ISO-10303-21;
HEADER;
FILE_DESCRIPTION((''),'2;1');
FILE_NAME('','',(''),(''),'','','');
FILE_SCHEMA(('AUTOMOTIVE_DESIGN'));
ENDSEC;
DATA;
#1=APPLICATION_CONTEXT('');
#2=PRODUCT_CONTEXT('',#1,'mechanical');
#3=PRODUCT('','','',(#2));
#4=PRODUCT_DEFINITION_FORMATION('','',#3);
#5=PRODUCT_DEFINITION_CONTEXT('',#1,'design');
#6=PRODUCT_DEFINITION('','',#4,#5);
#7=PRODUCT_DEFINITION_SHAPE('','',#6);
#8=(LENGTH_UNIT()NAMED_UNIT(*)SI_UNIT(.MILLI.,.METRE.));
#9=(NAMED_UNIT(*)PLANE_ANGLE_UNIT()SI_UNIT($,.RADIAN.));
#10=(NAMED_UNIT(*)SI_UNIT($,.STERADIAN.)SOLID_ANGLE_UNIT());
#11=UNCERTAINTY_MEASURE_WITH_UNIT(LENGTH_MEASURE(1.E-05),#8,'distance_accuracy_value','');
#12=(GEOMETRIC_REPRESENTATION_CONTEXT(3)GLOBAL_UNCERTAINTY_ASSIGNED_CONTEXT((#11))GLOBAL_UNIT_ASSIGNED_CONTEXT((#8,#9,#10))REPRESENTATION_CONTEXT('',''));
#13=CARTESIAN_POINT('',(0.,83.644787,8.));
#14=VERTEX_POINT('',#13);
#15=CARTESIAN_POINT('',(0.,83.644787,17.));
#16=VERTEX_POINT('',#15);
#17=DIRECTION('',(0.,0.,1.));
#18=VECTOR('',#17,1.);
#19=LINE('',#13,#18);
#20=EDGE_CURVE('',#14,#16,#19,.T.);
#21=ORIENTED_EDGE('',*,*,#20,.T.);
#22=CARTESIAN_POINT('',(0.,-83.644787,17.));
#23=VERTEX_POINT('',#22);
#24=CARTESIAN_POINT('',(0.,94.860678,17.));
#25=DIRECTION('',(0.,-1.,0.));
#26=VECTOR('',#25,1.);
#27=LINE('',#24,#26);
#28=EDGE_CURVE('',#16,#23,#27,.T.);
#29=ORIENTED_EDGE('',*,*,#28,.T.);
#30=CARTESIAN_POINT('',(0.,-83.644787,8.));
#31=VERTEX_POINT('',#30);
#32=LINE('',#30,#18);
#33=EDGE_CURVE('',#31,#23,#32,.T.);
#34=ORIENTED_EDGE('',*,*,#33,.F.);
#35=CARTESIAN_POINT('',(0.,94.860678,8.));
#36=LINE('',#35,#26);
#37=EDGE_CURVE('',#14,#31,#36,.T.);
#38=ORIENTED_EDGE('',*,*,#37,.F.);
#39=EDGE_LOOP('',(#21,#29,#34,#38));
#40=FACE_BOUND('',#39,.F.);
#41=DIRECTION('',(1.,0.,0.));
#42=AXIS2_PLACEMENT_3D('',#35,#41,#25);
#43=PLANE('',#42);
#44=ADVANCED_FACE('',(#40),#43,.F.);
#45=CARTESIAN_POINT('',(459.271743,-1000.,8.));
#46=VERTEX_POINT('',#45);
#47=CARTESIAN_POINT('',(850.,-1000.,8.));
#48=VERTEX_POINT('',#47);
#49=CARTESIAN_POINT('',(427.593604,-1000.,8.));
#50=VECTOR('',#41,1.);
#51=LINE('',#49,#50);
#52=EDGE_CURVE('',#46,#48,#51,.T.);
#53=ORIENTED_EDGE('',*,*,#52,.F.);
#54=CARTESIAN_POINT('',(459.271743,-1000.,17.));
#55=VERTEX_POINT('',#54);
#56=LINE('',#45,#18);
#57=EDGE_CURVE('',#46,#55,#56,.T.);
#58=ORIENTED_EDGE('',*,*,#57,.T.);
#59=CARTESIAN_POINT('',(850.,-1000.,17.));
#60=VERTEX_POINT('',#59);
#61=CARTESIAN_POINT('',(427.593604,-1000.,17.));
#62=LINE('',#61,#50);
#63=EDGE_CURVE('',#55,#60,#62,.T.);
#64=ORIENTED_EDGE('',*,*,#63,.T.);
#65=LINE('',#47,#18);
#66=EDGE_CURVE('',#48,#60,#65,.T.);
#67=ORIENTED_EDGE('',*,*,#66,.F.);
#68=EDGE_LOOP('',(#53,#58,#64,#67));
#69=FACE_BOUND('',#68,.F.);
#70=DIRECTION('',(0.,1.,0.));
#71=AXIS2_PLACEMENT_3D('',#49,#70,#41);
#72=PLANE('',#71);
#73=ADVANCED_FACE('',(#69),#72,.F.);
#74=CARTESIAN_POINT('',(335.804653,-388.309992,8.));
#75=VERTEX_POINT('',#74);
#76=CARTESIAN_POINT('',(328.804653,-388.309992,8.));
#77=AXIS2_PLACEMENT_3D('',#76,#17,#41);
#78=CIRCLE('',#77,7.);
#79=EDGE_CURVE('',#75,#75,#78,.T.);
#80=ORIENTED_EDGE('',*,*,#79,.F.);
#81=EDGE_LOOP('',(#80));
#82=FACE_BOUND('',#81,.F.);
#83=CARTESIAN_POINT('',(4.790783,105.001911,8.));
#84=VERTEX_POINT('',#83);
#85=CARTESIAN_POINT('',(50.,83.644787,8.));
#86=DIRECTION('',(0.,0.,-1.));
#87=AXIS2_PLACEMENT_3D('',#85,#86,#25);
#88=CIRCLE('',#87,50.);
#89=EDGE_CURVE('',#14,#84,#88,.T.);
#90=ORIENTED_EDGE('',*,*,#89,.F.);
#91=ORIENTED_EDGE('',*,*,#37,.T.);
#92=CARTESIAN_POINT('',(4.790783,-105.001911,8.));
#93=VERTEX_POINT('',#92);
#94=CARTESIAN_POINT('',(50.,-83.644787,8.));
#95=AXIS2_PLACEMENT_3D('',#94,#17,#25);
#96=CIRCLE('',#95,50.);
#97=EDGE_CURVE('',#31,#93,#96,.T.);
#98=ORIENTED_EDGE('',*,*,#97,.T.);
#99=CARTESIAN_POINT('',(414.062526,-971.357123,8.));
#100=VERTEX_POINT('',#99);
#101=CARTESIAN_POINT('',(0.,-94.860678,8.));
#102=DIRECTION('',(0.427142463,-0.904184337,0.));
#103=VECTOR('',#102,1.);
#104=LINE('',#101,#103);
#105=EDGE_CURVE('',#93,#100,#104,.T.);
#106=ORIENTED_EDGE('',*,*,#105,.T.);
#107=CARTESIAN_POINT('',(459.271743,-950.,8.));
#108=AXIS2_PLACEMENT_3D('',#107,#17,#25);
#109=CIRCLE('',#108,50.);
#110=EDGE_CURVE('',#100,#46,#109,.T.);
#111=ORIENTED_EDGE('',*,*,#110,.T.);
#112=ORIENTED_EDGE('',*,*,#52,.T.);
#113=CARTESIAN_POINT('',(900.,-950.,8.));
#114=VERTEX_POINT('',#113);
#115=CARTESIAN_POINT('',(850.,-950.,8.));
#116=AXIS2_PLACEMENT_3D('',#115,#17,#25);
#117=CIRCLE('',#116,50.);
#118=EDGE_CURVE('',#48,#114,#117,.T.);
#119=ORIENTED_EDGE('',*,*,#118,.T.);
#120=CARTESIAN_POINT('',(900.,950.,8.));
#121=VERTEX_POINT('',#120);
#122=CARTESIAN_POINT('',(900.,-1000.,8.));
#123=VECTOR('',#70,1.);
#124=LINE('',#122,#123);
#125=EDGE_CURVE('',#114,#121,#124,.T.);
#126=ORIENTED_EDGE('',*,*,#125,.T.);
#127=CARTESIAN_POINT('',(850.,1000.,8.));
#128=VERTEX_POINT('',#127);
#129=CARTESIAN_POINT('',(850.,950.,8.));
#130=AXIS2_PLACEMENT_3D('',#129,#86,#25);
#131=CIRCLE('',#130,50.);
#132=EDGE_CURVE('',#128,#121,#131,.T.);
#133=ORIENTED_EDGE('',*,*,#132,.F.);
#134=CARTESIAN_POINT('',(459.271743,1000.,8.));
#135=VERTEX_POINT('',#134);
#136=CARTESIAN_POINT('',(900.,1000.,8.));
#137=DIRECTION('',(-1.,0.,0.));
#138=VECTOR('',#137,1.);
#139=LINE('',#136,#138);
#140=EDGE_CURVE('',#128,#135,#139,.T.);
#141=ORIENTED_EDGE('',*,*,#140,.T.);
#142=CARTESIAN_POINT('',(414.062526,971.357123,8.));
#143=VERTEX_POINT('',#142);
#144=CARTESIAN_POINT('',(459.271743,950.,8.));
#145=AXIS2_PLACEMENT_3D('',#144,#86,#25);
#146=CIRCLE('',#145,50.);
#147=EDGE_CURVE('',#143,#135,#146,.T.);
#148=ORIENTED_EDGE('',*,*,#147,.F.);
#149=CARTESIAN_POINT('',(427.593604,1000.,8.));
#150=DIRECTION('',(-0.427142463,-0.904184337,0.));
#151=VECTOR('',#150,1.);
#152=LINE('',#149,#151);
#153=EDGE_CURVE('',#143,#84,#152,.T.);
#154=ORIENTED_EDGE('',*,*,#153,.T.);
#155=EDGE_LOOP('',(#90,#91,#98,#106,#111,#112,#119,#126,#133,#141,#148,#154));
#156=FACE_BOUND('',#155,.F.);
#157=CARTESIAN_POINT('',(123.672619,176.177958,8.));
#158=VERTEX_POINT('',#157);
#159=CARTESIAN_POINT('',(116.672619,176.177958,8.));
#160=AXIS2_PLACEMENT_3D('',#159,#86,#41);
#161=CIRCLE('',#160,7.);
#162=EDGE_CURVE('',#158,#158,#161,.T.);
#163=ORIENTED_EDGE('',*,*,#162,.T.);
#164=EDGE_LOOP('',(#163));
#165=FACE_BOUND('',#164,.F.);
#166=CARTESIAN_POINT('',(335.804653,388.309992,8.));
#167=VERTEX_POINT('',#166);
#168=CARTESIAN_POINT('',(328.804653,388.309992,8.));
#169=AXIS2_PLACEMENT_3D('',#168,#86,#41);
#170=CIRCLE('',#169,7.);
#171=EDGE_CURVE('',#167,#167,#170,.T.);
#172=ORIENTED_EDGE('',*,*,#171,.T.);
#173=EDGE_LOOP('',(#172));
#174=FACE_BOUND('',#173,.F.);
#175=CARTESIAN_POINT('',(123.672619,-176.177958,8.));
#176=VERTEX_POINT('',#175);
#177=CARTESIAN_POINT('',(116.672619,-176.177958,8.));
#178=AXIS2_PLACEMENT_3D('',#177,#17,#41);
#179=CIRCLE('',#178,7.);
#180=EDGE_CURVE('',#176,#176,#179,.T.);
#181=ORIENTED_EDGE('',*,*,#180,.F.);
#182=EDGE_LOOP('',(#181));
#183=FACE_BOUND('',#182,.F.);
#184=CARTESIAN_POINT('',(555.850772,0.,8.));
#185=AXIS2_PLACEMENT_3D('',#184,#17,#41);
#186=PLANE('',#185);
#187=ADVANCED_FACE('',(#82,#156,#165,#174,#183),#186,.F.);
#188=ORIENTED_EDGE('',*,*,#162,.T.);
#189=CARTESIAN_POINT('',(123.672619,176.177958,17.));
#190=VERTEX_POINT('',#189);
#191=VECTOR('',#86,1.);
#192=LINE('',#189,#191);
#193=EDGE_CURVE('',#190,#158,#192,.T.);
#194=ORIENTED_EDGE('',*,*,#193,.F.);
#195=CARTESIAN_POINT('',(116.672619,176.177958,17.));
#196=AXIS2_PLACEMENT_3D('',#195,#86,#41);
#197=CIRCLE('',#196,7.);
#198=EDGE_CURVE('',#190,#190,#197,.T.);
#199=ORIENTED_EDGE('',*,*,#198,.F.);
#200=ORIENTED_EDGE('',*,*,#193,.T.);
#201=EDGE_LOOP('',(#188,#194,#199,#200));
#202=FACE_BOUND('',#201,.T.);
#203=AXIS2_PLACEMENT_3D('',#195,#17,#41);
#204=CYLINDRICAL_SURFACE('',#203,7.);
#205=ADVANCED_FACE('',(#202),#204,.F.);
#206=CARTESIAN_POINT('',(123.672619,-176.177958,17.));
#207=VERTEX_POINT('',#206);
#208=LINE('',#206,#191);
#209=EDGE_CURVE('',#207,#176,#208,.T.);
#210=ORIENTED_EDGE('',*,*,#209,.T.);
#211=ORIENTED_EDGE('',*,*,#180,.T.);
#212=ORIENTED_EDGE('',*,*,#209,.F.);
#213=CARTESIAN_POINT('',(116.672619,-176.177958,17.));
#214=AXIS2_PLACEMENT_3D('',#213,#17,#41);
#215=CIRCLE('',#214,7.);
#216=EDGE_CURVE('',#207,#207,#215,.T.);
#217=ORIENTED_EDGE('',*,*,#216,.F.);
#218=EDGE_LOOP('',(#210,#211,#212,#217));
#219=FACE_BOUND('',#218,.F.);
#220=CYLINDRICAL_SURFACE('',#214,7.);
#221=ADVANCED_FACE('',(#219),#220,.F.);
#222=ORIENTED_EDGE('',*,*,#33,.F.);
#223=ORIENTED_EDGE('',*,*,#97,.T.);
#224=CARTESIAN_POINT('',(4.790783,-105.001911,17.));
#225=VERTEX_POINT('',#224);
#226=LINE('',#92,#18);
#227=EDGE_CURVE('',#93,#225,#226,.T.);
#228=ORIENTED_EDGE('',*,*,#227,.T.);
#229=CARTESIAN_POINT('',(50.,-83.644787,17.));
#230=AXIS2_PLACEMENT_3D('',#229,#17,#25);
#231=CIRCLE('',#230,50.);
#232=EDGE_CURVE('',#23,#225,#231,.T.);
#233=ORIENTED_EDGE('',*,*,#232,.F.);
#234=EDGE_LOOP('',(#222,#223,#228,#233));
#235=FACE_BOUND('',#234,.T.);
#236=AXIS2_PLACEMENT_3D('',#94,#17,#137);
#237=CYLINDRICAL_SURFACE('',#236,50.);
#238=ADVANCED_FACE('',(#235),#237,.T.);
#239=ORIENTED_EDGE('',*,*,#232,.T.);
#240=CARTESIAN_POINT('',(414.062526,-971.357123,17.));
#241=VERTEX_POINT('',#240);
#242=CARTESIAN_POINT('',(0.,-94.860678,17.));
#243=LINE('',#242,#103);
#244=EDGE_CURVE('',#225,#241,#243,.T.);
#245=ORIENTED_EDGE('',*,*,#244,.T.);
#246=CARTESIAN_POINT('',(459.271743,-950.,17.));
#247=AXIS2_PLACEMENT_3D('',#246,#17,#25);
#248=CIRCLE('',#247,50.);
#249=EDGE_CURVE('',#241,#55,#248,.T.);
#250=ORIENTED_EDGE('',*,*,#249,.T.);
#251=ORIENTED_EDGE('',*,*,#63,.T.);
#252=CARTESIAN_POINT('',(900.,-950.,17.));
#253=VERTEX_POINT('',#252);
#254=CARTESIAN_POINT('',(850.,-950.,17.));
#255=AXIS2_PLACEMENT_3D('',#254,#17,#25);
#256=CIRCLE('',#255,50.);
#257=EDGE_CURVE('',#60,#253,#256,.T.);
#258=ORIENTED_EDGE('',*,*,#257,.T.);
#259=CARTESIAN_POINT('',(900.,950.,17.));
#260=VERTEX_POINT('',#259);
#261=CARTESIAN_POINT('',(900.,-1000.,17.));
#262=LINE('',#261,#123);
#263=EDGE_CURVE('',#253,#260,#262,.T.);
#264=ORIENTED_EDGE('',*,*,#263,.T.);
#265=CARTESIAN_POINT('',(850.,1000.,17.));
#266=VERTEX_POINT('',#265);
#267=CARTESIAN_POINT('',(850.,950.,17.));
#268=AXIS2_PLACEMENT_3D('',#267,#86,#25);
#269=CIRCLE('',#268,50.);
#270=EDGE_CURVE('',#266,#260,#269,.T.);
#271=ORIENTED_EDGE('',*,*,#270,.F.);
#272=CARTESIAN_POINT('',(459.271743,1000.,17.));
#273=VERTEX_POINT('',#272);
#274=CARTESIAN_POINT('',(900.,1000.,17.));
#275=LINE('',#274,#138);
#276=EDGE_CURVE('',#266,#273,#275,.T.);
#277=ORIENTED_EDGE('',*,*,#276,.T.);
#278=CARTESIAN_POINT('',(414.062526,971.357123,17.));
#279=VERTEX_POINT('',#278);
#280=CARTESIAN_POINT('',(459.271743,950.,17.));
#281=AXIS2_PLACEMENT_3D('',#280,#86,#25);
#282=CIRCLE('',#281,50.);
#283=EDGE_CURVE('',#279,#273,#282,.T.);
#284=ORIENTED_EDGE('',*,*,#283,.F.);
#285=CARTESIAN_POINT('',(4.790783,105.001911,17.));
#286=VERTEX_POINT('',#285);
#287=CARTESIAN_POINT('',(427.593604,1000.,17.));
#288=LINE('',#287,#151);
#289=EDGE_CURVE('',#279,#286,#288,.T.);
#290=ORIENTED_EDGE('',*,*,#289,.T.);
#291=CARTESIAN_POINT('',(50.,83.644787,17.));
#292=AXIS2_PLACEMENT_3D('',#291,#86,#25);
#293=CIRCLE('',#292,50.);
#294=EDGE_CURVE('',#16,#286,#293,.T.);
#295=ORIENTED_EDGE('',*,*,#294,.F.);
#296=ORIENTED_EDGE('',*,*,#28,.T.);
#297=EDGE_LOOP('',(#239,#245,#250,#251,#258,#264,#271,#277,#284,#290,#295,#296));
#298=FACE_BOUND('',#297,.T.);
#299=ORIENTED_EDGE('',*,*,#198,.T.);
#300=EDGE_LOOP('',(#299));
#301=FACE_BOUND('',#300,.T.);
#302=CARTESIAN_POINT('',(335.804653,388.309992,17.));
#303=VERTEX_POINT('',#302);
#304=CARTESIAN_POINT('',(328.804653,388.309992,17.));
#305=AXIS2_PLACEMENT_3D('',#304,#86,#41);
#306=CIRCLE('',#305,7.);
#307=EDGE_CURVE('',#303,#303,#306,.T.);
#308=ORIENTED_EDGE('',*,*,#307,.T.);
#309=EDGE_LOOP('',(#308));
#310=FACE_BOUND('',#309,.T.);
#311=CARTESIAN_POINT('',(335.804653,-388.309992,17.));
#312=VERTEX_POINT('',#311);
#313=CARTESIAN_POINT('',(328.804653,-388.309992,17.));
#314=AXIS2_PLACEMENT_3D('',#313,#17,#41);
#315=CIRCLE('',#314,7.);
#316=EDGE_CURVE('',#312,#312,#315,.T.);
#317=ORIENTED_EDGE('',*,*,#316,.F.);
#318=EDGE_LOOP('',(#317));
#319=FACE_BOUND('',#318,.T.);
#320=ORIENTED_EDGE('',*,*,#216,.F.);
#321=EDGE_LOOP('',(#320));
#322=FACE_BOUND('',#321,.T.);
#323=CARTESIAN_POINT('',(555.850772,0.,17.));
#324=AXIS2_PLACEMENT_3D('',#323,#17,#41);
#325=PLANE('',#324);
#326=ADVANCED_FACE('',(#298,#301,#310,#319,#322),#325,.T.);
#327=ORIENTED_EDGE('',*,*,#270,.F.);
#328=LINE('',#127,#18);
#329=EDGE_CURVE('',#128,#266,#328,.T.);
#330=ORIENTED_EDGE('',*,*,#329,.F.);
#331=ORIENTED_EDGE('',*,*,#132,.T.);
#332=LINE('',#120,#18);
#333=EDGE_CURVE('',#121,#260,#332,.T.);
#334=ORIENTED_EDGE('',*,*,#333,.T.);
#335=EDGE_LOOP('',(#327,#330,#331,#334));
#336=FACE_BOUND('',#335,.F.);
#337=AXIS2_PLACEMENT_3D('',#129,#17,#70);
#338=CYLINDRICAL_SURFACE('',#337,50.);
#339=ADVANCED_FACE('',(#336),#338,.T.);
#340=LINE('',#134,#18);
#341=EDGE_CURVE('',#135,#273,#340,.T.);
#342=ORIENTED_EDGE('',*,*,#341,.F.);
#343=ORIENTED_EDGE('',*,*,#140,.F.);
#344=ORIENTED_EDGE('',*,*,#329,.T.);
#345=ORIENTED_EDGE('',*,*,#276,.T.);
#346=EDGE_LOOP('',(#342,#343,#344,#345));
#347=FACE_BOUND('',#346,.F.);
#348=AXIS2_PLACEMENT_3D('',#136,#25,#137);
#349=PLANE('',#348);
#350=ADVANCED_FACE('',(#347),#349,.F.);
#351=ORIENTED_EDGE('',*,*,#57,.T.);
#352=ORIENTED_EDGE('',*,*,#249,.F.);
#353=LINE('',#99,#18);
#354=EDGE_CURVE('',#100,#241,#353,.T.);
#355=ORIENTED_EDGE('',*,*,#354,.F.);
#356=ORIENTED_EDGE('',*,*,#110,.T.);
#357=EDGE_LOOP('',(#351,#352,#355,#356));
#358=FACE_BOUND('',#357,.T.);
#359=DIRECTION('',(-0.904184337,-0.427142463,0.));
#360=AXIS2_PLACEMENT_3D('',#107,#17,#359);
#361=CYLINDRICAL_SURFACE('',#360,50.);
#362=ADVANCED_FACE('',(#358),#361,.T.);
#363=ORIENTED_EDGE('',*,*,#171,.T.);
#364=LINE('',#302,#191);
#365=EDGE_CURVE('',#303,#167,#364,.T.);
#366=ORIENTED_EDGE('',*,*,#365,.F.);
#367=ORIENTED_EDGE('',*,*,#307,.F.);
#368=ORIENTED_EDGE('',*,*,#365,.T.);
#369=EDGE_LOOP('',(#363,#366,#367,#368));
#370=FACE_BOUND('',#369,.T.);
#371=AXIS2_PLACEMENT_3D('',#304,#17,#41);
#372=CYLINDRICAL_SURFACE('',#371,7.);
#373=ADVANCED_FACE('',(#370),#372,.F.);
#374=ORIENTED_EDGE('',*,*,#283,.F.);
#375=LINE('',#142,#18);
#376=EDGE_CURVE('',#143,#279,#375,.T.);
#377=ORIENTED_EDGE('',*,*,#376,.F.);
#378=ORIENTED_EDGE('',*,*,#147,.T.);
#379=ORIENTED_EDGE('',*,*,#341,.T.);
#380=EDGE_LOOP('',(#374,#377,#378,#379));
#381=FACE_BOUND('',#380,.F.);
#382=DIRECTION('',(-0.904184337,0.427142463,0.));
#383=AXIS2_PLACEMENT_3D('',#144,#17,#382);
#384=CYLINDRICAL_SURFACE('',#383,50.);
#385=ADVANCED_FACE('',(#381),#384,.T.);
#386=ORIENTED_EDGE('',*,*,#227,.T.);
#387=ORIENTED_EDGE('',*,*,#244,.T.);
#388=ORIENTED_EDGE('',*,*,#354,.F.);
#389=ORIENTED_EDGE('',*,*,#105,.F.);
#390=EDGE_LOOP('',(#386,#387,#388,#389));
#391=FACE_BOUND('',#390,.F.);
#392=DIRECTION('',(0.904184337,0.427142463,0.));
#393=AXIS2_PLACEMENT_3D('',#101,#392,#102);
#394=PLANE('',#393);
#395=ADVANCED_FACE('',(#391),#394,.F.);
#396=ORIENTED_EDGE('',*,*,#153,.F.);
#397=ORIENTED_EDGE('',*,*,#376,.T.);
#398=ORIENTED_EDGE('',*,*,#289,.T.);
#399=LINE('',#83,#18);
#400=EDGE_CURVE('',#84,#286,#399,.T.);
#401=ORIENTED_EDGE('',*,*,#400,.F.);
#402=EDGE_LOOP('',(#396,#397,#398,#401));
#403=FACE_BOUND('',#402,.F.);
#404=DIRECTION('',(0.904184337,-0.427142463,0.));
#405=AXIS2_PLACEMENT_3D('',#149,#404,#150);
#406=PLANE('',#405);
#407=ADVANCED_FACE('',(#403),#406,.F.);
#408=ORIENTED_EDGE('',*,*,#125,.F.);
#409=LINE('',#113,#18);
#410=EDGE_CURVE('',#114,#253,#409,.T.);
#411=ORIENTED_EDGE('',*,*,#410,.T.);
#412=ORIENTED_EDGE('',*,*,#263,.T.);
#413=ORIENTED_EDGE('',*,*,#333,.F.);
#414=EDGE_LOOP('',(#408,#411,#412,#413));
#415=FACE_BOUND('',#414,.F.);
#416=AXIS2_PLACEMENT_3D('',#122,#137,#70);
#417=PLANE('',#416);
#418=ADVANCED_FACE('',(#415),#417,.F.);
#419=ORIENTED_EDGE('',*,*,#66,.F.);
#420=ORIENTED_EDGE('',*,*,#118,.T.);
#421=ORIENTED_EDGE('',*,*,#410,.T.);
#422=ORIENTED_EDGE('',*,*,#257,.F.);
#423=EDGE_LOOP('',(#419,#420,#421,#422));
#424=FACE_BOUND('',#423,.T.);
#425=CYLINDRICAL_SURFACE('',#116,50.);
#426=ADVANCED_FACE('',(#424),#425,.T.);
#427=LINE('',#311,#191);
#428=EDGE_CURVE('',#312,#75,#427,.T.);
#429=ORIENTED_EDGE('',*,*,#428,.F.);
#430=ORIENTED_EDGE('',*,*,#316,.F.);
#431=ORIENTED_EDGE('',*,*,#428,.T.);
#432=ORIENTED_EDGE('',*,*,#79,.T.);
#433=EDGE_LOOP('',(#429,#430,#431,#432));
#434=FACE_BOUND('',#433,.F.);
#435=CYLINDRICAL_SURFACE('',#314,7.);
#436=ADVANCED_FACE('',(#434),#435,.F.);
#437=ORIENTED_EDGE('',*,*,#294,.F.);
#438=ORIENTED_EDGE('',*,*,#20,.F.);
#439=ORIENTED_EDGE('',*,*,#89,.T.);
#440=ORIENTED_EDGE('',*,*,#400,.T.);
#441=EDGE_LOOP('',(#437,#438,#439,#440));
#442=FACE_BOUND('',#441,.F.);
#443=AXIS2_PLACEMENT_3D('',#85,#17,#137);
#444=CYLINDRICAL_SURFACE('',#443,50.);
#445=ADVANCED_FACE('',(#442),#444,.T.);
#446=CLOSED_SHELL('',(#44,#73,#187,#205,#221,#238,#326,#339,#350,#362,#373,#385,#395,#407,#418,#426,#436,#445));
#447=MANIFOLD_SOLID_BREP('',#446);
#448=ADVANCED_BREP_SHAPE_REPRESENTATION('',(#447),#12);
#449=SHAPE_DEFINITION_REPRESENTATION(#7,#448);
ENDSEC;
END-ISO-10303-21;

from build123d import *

# Parameters (mm, degrees)
PAD_DEPTH    = 9
SKETCH001_R  = 7
POCKET_DEPTH = 9
FILLET_R     = 50


with BuildPart() as part:
    # Sketch → Pad (new body)
    with BuildSketch(Plane.XY):
        Polygon((0, 94.860678), (0, 0), (0, -94.860678), (427.593604, -1000), (900, -1000), (900, 1000), (427.593604, 1000), align=None)
    extrude(amount=PAD_DEPTH)

    # Sketch001 (on DatumPlane) → Pocket (cut)
    with BuildSketch(Plane.XY.offset(9)):
        with Locations((328.804653, -388.309992)):
            Circle(SKETCH001_R)
        with Locations((116.672619, -176.177958)):
            Circle(SKETCH001_R)
    pocket = extrude(amount=-POCKET_DEPTH, mode=Mode.SUBTRACT)

    # Mirrored: Pocket across Sketch001 H_Axis
    add(pocket.mirror(Plane(origin=(0, 0, 9), x_dir=(0, 0, 1), z_dir=(0, 1, 0))), mode=Mode.SUBTRACT)

    # Fillet
    fillet_edges = [part.edges().sort_by_distance(p)[0] for p in [
        (0, 94.860678, 4.5),
        (0, -94.860678, 4.5),
        (427.593604, -1000, 4.5),
        (900, -1000, 4.5),
        (900, 1000, 4.5),
        (427.593604, 1000, 4.5),
    ]]
    fillet(fillet_edges, radius=FILLET_R)


with BuildPart() as part_1:
    # Fillet001Body placement: moved
    add(part.part.moved(Location((0, 0, 8))))


solid = part_1.part
